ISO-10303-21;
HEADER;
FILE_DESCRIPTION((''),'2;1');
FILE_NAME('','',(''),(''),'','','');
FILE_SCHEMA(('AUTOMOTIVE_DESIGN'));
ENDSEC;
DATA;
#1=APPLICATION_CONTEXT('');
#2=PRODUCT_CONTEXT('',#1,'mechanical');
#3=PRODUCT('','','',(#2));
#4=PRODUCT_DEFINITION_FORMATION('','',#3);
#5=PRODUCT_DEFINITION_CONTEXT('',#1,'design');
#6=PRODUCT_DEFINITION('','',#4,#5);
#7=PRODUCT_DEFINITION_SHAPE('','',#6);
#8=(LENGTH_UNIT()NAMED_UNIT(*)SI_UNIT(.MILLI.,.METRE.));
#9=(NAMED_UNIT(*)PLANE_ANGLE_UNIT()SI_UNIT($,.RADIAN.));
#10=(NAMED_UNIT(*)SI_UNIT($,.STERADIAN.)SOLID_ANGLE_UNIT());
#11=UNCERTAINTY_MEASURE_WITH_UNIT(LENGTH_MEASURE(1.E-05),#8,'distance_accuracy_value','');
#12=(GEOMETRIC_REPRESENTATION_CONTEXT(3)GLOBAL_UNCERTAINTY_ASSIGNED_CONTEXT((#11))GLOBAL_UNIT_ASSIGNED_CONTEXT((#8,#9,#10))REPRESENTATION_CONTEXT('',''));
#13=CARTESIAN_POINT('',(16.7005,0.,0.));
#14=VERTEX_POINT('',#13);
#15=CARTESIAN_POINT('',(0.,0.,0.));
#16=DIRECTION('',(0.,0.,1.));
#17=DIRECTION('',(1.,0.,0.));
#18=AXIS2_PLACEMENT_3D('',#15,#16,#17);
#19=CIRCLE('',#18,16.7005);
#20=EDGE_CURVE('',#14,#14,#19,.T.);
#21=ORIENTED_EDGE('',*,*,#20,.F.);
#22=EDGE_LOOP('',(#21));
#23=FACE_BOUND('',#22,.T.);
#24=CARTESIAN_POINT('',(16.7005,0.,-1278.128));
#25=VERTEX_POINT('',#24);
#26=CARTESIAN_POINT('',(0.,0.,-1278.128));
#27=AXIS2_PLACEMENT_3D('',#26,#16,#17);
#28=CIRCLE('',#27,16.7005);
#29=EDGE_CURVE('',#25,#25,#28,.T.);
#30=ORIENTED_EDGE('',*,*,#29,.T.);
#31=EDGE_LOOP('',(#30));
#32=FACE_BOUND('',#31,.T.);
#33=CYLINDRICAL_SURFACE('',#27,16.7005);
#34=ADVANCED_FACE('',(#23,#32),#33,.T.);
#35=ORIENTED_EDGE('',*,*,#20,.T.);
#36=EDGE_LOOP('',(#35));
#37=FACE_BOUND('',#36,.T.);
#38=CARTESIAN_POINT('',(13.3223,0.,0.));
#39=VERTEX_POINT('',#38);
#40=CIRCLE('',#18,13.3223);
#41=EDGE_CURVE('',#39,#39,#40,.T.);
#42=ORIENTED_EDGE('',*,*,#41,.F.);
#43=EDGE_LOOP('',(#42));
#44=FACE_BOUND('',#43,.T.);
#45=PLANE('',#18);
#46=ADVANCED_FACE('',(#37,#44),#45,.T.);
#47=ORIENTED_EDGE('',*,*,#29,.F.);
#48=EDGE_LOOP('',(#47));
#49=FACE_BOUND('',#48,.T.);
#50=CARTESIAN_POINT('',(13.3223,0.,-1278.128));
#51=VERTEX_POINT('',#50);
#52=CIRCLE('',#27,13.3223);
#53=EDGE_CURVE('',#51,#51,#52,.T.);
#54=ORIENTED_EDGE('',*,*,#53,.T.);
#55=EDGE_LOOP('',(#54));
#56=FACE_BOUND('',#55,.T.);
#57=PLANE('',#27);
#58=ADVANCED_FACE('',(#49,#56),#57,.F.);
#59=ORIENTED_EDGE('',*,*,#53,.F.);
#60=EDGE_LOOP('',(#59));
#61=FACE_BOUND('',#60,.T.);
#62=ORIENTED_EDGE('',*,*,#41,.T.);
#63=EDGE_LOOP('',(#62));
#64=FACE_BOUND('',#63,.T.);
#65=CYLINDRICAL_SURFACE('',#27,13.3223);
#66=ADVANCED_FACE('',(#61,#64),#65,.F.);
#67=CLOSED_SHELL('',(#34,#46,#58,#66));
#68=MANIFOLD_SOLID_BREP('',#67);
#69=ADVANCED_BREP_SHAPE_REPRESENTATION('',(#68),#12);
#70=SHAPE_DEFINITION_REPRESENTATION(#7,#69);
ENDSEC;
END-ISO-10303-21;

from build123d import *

# Parameters (mm, degrees)
SKETCH1_R           = 16.7005
SKETCH1_R_2         = 13.3223
BOSS_EXTRUDE1_DEPTH = 1278.128


with BuildPart() as part:
    # Sketch1 → Boss-Extrude1 (new body)
    with BuildSketch(Plane.XY):
        Circle(SKETCH1_R)
        Circle(SKETCH1_R_2, mode=Mode.SUBTRACT)
    extrude(amount=-BOSS_EXTRUDE1_DEPTH)


solid = part.part
